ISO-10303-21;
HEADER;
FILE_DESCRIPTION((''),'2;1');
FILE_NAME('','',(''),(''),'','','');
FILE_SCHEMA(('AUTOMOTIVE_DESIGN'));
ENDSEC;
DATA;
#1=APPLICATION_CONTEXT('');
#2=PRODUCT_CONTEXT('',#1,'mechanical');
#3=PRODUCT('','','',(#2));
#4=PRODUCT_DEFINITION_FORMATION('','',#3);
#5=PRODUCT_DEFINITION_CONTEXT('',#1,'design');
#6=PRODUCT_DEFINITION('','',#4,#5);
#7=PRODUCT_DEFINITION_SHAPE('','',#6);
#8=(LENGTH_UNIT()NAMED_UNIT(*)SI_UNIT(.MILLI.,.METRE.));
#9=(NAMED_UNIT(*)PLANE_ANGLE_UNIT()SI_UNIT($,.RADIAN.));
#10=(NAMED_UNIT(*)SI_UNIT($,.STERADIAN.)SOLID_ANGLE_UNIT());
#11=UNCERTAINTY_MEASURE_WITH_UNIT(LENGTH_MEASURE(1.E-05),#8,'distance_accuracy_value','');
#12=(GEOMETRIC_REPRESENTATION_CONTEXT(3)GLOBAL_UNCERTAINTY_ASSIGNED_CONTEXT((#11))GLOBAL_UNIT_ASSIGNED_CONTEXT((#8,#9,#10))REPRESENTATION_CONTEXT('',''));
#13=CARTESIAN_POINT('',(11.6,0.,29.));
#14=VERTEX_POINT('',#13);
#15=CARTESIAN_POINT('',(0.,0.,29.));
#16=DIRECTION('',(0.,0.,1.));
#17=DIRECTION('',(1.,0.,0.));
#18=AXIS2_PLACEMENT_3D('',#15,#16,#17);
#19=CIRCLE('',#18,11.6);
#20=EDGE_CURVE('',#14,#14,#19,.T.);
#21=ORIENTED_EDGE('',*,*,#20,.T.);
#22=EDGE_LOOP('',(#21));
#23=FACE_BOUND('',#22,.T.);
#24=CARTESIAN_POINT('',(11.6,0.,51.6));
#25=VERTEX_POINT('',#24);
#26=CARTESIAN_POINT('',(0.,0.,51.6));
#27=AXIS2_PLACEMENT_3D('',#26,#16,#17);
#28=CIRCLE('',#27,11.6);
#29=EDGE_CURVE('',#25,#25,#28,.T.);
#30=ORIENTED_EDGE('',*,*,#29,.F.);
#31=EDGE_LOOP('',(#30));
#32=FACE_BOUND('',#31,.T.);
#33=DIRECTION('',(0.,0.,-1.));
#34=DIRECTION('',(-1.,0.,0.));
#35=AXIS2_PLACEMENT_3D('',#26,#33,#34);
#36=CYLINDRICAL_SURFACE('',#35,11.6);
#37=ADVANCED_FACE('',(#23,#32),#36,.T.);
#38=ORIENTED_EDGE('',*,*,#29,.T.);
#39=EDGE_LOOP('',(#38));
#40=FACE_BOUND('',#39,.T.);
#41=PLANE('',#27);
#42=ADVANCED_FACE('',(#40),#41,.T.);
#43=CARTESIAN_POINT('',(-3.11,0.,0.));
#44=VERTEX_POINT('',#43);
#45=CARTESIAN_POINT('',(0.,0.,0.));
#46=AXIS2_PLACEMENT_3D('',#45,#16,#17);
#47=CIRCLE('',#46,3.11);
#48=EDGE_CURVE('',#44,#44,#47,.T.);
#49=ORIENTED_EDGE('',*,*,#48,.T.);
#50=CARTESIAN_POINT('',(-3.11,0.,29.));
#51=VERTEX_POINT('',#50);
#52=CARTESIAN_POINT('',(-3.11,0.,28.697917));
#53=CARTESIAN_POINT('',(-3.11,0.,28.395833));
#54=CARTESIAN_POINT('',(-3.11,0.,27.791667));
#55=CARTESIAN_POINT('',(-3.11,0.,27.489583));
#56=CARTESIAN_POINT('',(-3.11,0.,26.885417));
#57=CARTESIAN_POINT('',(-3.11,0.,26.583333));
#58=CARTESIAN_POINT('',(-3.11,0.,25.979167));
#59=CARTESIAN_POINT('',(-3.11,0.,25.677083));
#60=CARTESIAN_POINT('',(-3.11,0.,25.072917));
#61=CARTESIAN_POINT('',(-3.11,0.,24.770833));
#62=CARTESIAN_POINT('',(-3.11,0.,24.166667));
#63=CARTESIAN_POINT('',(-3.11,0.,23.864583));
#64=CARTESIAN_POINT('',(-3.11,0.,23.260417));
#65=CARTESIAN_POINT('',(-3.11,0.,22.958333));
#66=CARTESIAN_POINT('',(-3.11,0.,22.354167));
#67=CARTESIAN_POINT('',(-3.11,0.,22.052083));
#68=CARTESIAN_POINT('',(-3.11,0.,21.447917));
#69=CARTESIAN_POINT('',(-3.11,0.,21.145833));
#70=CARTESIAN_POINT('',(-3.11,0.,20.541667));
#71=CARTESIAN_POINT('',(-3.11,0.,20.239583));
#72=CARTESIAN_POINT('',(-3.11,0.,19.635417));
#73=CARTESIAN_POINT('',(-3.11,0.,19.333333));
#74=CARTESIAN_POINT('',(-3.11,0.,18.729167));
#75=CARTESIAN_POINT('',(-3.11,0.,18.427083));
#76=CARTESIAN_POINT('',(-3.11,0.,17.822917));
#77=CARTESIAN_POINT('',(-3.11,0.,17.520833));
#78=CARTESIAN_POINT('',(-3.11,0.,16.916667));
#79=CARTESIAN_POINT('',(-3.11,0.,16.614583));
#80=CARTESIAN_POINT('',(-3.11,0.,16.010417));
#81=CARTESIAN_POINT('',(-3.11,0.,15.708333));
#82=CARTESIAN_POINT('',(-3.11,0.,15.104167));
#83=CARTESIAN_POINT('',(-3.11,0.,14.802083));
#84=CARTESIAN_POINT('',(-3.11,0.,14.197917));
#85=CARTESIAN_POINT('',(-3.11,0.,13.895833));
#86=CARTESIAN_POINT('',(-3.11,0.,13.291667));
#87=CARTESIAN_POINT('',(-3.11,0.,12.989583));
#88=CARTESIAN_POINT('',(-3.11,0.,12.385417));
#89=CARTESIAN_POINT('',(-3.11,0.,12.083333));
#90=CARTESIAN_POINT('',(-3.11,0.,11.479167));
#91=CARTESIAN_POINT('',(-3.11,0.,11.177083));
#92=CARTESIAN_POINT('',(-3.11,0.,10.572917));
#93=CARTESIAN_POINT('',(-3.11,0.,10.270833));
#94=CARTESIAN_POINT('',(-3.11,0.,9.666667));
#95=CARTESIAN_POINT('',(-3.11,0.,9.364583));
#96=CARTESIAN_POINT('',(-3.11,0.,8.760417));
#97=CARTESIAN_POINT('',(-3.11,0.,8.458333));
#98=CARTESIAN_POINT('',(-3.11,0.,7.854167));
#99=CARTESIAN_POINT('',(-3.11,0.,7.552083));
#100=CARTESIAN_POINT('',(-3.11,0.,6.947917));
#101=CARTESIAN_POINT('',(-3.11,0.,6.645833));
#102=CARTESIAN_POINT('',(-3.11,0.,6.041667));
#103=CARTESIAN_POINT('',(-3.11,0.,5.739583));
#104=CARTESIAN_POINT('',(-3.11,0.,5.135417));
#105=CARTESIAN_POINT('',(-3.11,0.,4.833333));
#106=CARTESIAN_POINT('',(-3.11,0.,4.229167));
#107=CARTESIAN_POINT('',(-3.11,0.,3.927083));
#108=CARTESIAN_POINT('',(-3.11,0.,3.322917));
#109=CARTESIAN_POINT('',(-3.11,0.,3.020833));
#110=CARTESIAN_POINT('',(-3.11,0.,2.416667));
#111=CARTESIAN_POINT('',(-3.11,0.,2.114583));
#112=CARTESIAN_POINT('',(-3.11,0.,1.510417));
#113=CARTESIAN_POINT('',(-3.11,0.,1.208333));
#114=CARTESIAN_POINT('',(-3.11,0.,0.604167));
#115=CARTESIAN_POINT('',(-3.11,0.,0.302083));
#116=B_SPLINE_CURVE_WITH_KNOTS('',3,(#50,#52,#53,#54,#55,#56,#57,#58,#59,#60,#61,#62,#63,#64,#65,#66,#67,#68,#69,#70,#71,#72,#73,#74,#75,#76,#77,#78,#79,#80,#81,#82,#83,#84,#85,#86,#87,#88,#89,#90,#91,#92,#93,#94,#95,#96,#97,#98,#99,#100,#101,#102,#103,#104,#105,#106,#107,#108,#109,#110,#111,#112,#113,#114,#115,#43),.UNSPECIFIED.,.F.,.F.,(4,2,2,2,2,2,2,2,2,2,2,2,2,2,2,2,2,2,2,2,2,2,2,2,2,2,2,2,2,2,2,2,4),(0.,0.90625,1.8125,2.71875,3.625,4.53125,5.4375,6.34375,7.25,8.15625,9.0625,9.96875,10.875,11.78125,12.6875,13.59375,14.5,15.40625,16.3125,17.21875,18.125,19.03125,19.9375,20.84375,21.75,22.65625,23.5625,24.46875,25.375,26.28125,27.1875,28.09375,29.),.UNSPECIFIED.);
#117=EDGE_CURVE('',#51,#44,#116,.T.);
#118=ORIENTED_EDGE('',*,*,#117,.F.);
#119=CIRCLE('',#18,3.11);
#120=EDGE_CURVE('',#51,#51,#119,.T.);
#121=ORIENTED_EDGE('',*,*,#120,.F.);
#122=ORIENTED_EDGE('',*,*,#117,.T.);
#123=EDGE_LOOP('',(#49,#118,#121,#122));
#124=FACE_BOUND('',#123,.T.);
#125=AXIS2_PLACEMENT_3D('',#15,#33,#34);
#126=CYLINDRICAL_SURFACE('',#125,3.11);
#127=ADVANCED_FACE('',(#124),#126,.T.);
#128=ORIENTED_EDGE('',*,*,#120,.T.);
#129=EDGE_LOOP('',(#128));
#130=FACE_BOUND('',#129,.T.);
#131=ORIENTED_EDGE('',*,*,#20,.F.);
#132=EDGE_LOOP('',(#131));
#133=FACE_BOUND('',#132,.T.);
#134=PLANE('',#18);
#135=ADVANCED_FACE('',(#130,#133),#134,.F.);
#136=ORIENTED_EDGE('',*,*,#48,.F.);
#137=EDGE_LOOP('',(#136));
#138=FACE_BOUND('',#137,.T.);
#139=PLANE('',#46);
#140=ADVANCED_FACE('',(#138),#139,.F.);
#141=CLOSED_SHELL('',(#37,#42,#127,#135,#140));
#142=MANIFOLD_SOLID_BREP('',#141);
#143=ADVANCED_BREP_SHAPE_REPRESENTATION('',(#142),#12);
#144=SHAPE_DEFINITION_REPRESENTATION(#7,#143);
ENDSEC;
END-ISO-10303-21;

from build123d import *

# Parameters (mm, degrees)
SKETCH1_R      = 3.11
EXTRUDE1_DEPTH = 29
SKETCH2_R      = 11.6
EXTRUDE2_DEPTH = 22.6


with BuildPart() as part:
    # Sketch1 → Extrude1 (new body)
    with BuildSketch(Plane.XY):
        with Locations(Location((0, 0, 0), (0, 0, 180))):
            Circle(SKETCH1_R)
    extrude(amount=EXTRUDE1_DEPTH)

    # Sketch2 → Extrude2 (add)
    with BuildSketch(Plane.XY.offset(29)):
        Circle(SKETCH2_R)
    extrude(amount=EXTRUDE2_DEPTH)


solid = part.part
